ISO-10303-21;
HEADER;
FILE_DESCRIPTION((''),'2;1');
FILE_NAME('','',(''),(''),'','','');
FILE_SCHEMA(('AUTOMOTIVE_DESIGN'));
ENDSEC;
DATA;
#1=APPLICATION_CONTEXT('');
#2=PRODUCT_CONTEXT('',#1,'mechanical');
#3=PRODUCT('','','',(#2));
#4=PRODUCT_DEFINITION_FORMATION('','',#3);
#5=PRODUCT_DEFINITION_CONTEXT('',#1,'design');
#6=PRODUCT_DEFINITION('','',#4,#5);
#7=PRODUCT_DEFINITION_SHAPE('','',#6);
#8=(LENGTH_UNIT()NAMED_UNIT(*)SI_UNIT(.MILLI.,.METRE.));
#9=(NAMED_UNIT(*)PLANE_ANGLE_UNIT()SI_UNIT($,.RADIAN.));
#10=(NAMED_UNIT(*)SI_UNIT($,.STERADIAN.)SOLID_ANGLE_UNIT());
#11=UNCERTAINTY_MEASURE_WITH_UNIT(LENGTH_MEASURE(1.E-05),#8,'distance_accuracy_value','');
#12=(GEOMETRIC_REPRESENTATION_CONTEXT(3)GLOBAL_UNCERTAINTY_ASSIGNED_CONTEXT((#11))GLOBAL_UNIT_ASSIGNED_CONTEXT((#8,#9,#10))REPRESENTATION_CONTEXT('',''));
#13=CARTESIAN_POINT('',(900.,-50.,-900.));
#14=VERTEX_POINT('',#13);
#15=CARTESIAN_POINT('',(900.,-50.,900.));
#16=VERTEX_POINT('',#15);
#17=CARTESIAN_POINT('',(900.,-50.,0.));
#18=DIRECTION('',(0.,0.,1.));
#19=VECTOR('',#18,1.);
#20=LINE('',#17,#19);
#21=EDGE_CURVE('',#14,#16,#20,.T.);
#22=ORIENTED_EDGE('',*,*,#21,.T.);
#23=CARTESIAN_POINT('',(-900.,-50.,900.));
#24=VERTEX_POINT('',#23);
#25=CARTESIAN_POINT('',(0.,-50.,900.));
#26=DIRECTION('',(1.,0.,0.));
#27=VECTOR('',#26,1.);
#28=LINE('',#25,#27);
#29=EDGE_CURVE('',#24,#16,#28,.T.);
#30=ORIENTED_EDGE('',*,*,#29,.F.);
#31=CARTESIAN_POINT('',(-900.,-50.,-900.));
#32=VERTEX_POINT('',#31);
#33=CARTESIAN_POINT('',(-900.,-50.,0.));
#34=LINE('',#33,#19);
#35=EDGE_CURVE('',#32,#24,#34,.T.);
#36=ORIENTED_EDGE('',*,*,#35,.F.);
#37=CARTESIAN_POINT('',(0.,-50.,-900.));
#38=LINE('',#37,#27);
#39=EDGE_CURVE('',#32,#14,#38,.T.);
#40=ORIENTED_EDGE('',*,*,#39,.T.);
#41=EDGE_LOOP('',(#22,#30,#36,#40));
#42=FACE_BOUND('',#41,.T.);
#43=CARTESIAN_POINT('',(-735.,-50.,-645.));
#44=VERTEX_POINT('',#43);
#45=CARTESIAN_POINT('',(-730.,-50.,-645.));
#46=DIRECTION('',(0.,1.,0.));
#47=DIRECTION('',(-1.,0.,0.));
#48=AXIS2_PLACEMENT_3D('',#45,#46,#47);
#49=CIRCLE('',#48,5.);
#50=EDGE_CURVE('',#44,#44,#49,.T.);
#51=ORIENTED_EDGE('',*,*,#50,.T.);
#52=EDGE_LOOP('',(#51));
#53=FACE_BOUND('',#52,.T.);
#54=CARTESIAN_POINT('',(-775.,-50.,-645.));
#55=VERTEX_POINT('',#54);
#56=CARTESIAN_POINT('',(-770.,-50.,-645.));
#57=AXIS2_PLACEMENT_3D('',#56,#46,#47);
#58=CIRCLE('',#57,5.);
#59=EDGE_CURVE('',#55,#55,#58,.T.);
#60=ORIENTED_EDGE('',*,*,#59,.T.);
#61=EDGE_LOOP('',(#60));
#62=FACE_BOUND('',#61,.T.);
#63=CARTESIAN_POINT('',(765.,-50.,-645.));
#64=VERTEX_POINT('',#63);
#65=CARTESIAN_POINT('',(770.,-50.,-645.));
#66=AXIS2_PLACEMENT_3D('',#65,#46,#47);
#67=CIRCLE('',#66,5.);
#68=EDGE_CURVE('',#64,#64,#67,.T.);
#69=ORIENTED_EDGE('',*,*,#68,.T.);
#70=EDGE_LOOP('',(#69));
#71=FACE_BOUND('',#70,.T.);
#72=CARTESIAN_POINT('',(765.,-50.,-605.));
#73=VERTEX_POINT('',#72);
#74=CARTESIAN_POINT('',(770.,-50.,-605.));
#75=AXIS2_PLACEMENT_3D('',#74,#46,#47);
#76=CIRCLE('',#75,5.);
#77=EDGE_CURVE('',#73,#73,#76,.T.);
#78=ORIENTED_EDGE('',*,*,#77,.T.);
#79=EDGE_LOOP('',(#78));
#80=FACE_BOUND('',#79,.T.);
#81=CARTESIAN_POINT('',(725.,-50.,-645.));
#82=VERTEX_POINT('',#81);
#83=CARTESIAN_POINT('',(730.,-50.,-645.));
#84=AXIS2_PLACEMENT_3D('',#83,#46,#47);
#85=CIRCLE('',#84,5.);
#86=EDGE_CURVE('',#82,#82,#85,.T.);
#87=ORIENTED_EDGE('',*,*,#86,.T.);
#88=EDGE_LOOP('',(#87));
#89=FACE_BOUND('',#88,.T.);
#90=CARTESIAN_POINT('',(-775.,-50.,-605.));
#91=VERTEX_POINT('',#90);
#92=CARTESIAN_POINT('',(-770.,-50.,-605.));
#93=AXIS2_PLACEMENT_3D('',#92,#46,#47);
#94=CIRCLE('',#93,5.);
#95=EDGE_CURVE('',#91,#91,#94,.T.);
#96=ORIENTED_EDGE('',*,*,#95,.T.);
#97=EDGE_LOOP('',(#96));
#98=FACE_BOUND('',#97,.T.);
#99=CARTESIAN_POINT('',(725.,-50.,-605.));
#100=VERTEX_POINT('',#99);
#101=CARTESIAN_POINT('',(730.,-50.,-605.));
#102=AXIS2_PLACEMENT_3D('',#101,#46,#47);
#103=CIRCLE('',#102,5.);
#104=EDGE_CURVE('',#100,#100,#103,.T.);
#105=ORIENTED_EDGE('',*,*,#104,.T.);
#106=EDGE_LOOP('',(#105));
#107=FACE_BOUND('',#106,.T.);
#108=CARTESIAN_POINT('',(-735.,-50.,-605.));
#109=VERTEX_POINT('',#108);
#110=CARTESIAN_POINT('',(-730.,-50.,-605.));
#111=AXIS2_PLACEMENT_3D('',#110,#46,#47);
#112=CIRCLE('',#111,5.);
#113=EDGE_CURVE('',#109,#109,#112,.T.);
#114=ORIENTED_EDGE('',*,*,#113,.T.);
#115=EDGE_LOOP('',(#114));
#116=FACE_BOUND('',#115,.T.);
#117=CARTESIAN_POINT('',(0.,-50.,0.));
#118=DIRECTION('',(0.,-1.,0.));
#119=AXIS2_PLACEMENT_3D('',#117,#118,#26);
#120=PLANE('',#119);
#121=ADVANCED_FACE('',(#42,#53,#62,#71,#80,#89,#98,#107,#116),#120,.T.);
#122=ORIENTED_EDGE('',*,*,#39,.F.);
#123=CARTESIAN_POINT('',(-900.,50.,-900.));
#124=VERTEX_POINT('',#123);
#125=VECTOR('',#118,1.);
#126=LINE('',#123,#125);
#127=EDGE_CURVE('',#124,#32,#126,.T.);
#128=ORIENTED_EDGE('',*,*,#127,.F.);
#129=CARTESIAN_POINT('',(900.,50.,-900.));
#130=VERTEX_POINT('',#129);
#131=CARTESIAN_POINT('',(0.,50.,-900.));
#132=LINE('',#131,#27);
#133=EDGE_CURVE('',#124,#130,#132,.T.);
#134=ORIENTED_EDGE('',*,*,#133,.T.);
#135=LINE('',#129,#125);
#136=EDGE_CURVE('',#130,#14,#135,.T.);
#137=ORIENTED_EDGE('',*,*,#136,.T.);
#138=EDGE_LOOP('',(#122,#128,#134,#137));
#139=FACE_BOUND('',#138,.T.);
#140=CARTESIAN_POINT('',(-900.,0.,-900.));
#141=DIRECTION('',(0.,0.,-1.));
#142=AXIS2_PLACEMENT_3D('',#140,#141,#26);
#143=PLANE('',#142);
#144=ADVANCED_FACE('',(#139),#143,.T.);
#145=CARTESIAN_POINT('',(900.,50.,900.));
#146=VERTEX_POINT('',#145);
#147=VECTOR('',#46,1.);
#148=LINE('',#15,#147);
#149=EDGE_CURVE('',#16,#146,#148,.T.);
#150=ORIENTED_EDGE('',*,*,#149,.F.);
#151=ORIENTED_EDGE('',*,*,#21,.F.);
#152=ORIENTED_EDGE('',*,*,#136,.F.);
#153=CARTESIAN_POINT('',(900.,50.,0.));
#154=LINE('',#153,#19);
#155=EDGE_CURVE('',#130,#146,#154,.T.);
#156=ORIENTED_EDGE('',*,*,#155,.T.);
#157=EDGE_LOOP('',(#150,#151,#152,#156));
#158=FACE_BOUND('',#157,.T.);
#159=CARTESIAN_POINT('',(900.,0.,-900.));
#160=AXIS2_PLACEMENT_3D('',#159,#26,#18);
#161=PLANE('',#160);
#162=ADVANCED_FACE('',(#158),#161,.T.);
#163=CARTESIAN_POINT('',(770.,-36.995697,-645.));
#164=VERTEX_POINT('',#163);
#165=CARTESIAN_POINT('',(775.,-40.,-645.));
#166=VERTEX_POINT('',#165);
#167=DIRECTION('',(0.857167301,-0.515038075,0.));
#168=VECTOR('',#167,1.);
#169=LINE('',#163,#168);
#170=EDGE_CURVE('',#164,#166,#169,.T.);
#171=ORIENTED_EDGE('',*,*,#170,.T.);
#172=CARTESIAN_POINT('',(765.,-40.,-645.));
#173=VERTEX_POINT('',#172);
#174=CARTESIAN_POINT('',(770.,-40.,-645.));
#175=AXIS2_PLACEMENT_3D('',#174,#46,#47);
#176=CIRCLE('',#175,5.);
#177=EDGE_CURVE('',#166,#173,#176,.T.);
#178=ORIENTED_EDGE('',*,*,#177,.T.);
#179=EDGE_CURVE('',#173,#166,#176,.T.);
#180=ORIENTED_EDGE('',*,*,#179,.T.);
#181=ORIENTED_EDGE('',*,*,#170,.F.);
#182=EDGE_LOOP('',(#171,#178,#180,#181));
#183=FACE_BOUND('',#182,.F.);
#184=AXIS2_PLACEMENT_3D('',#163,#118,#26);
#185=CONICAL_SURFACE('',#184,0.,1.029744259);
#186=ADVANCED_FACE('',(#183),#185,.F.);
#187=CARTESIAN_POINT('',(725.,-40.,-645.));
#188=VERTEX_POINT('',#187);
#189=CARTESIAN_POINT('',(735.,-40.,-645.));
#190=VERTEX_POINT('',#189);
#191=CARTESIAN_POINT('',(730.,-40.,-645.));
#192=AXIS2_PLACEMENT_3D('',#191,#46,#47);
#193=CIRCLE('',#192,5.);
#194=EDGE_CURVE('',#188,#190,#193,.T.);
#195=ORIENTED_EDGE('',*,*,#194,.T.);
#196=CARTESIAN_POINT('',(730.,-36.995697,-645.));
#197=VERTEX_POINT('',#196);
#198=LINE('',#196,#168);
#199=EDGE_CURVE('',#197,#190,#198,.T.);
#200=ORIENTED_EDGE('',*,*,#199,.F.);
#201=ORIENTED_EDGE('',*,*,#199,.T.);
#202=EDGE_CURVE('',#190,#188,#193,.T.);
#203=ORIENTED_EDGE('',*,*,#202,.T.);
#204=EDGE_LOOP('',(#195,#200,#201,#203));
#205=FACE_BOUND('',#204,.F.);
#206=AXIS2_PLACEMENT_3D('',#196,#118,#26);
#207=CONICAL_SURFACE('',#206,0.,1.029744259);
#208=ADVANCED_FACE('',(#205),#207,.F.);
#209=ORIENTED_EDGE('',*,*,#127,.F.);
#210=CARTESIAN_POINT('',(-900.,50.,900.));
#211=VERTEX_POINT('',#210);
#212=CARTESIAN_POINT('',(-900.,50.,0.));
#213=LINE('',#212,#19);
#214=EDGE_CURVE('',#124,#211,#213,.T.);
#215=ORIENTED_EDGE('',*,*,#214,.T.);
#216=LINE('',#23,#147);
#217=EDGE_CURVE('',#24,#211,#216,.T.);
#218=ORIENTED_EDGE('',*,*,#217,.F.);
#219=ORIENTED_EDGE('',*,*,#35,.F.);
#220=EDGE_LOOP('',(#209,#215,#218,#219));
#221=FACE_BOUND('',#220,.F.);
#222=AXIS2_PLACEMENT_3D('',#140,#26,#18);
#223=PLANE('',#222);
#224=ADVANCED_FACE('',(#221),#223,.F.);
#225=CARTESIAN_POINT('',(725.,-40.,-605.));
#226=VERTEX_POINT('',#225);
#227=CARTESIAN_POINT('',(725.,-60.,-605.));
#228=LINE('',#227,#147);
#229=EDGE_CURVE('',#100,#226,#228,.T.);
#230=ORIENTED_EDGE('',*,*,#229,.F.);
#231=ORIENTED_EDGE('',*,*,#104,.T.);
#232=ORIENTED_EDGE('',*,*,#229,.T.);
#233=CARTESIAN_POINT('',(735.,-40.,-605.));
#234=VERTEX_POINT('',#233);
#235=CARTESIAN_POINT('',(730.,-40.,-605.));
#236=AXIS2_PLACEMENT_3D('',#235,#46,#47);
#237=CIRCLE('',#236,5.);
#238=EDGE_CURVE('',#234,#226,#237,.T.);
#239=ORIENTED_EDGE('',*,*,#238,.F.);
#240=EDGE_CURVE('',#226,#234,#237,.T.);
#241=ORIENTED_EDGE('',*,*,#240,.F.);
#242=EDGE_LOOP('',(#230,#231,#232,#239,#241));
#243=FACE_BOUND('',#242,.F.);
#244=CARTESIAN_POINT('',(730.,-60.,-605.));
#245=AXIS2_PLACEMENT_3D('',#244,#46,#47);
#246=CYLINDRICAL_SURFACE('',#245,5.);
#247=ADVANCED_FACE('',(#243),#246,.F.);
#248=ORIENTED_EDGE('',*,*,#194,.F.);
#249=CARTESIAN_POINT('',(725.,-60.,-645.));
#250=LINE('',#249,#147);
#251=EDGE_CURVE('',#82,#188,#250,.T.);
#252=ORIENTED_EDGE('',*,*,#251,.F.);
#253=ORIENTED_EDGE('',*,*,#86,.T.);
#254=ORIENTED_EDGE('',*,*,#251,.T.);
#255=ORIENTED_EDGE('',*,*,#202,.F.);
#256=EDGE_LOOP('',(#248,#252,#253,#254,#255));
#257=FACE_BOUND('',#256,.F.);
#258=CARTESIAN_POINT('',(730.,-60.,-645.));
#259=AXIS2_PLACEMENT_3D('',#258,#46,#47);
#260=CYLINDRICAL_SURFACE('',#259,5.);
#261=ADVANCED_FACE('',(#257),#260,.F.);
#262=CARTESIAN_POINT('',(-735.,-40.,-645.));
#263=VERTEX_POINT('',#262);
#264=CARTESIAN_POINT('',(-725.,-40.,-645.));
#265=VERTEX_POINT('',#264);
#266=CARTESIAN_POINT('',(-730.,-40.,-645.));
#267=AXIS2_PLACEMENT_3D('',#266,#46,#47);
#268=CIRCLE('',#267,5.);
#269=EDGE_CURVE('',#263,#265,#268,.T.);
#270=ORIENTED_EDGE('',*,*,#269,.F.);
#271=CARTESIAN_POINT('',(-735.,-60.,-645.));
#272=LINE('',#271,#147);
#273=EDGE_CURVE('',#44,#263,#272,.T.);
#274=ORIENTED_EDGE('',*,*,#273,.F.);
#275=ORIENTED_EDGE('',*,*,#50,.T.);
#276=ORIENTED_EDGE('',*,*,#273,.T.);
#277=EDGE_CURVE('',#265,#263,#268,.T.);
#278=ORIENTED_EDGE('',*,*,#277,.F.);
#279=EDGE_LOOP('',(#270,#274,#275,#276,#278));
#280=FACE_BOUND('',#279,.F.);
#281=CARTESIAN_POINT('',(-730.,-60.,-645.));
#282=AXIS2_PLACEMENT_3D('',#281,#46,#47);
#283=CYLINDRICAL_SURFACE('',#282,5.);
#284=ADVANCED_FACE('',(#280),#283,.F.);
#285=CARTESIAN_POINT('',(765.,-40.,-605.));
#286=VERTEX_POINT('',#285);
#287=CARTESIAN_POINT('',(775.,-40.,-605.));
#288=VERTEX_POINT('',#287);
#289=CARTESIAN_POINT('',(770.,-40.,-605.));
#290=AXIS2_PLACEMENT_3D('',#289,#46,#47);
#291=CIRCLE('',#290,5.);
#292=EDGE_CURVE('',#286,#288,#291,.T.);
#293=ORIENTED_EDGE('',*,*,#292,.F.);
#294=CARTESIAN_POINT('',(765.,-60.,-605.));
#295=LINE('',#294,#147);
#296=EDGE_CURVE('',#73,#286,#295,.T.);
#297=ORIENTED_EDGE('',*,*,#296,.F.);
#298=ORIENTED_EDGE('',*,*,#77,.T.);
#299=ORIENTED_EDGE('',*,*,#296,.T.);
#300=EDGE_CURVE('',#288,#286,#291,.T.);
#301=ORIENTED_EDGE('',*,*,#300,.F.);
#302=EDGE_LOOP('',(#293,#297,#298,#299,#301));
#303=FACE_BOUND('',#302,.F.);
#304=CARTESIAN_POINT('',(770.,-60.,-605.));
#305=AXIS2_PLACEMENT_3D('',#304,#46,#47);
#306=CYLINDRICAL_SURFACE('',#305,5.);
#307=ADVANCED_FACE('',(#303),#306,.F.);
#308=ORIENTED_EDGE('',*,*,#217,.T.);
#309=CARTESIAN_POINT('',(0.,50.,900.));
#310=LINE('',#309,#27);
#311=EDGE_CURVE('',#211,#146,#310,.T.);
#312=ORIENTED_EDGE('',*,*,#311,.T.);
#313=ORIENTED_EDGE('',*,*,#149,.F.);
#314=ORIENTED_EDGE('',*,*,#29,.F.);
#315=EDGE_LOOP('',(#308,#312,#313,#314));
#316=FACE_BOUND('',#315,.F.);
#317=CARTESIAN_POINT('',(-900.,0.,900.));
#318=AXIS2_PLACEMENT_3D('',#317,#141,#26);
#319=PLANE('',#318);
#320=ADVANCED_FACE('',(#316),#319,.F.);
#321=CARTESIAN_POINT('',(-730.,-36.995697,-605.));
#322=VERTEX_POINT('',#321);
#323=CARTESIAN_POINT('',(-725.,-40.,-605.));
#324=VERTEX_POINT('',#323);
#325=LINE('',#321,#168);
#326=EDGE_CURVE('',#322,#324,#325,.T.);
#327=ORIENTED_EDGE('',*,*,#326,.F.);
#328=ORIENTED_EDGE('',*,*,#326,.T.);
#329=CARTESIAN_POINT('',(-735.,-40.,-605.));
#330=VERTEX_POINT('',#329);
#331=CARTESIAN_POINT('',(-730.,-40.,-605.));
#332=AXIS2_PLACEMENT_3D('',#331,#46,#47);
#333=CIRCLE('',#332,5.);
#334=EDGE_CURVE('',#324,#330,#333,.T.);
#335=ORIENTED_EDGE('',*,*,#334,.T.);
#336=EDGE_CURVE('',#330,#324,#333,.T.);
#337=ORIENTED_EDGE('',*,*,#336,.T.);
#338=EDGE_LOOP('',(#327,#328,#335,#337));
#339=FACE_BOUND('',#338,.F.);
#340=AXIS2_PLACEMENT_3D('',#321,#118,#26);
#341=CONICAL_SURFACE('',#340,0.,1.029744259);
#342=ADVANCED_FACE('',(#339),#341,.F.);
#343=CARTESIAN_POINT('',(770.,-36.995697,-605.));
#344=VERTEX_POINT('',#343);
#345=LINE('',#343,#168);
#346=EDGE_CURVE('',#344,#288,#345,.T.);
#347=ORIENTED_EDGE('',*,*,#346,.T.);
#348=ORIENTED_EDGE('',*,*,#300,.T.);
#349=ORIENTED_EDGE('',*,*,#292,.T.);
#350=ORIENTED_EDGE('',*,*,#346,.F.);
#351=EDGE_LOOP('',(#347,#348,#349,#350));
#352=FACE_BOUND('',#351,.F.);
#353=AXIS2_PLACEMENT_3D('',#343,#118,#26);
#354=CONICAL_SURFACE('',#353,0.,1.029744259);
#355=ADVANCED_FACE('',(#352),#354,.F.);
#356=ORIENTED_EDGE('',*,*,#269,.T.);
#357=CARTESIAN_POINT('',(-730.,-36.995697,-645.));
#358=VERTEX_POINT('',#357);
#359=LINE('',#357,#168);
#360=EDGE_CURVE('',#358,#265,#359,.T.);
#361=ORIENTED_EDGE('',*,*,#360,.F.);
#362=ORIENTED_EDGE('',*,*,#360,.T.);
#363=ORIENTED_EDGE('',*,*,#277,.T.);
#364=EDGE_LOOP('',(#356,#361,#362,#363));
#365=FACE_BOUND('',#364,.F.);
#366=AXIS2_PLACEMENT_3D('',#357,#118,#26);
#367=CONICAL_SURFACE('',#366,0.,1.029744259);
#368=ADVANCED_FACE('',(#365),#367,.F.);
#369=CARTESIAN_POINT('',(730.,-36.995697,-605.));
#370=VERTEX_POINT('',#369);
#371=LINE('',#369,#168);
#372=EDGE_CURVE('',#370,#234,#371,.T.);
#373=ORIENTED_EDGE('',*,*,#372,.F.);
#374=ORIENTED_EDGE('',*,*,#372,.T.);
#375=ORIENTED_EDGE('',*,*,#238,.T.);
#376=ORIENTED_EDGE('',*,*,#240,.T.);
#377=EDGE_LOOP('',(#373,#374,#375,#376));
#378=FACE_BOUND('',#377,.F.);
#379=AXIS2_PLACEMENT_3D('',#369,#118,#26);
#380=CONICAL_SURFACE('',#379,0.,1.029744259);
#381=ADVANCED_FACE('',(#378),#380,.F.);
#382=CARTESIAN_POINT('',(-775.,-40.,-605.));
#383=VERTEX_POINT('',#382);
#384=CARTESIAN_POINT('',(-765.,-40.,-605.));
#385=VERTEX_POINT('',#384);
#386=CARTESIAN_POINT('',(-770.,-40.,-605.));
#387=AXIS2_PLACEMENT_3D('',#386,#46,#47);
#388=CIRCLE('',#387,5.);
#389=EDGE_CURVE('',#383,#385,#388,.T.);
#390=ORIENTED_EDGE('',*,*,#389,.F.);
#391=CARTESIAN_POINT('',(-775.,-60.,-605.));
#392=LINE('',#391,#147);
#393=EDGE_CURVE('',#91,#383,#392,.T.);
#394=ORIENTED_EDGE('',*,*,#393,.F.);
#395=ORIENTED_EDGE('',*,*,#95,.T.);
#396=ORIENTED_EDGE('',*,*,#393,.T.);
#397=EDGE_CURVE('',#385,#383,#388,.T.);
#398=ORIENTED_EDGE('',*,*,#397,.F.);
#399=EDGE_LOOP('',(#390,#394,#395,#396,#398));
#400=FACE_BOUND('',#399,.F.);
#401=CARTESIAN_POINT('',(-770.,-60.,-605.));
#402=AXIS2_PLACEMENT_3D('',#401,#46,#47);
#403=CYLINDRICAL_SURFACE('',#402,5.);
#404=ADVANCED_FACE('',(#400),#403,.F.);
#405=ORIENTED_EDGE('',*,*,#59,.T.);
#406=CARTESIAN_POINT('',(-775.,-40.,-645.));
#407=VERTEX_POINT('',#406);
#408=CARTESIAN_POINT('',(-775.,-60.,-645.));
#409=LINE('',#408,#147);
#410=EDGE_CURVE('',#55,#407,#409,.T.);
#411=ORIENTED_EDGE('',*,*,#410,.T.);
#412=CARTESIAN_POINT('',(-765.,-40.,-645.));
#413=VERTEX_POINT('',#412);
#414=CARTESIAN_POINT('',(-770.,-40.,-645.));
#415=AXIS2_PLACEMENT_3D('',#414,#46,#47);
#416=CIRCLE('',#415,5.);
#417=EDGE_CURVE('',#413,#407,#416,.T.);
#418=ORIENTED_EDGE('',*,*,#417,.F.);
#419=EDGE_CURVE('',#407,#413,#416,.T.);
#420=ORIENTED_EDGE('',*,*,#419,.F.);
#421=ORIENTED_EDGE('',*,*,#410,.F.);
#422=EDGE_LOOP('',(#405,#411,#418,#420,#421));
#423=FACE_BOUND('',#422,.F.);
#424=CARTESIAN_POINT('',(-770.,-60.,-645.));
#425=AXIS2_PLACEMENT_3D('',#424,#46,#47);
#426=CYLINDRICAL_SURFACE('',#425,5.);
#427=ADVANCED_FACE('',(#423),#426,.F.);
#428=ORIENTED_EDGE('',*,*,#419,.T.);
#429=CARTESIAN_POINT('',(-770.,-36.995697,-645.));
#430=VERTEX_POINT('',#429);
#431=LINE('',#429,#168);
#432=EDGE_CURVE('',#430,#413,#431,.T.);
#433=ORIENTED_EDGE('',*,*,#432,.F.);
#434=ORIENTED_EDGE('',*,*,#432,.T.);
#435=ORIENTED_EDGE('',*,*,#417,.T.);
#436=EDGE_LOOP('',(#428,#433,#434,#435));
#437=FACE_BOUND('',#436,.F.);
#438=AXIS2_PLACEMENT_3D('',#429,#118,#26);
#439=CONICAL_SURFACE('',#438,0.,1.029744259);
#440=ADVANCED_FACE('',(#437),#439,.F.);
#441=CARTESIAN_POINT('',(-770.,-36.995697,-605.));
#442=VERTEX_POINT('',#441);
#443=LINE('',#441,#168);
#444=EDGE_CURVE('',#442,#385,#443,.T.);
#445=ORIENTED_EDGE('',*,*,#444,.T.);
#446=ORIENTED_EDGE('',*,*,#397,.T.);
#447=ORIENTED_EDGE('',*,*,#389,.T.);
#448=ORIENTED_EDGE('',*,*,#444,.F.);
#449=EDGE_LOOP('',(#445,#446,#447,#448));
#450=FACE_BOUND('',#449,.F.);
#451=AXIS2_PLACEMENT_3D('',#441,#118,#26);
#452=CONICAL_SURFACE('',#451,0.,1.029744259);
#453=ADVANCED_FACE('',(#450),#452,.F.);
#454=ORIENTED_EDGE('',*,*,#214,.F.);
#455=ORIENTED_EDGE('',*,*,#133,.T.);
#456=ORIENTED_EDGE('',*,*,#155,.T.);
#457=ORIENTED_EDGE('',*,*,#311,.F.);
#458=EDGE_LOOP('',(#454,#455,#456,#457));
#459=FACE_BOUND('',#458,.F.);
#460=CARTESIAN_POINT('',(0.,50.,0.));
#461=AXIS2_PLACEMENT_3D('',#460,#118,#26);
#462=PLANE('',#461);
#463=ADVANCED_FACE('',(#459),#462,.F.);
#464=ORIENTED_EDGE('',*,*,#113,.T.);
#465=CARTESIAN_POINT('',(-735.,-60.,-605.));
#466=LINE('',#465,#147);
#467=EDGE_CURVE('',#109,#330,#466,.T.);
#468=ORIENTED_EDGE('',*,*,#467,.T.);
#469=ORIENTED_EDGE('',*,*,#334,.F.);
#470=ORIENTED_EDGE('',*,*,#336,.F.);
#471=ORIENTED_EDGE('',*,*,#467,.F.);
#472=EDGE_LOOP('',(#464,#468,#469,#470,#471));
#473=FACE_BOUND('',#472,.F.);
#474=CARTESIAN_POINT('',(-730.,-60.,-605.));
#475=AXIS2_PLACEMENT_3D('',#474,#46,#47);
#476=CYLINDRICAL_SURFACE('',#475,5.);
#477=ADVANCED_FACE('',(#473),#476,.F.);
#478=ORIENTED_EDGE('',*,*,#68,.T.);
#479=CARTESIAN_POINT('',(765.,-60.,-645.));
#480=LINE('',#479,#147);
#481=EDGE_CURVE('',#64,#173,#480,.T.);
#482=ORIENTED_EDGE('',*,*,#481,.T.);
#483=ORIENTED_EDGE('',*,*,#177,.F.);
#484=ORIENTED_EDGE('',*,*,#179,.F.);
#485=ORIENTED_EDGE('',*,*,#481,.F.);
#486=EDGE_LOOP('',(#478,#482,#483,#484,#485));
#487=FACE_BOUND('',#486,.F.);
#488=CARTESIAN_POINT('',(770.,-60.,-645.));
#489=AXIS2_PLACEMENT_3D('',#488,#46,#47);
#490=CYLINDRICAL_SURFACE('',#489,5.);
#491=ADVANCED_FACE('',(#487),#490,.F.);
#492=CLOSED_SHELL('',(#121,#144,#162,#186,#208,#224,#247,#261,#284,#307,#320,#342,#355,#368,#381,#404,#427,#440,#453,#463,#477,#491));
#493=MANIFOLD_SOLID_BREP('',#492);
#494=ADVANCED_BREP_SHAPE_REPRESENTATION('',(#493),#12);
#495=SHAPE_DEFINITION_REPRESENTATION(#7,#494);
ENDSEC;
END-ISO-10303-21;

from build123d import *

# Parameters (mm, degrees)
F0_W     = 1800
F0_H     = 1800
F1_DEPTH = 50
F3_D     = 10
F3_DEPTH = 10
F3_TIP   = 3.0043030951


with BuildPart() as f1:
    # F0 (on Front) → F1 (new body, symmetric)
    with BuildSketch(Plane.XZ):
        Rectangle(F0_W, F0_H)
    extrude(amount=F1_DEPTH, both=True)

    # F3
    with Locations(Plane.XZ.offset(50)):
        with Locations((-770, -605), (-730, -605), (-730, -645), (-770, -645), (730, -605), (770, -605), (770, -645), (730, -645)):
            Hole(F3_D / 2, depth=F3_DEPTH)
            with Locations((0, 0, -(F3_DEPTH + F3_TIP / 2))):  # 118° drill point
                Cone(0, F3_D / 2, F3_TIP, mode=Mode.SUBTRACT)


solid = f1.part
